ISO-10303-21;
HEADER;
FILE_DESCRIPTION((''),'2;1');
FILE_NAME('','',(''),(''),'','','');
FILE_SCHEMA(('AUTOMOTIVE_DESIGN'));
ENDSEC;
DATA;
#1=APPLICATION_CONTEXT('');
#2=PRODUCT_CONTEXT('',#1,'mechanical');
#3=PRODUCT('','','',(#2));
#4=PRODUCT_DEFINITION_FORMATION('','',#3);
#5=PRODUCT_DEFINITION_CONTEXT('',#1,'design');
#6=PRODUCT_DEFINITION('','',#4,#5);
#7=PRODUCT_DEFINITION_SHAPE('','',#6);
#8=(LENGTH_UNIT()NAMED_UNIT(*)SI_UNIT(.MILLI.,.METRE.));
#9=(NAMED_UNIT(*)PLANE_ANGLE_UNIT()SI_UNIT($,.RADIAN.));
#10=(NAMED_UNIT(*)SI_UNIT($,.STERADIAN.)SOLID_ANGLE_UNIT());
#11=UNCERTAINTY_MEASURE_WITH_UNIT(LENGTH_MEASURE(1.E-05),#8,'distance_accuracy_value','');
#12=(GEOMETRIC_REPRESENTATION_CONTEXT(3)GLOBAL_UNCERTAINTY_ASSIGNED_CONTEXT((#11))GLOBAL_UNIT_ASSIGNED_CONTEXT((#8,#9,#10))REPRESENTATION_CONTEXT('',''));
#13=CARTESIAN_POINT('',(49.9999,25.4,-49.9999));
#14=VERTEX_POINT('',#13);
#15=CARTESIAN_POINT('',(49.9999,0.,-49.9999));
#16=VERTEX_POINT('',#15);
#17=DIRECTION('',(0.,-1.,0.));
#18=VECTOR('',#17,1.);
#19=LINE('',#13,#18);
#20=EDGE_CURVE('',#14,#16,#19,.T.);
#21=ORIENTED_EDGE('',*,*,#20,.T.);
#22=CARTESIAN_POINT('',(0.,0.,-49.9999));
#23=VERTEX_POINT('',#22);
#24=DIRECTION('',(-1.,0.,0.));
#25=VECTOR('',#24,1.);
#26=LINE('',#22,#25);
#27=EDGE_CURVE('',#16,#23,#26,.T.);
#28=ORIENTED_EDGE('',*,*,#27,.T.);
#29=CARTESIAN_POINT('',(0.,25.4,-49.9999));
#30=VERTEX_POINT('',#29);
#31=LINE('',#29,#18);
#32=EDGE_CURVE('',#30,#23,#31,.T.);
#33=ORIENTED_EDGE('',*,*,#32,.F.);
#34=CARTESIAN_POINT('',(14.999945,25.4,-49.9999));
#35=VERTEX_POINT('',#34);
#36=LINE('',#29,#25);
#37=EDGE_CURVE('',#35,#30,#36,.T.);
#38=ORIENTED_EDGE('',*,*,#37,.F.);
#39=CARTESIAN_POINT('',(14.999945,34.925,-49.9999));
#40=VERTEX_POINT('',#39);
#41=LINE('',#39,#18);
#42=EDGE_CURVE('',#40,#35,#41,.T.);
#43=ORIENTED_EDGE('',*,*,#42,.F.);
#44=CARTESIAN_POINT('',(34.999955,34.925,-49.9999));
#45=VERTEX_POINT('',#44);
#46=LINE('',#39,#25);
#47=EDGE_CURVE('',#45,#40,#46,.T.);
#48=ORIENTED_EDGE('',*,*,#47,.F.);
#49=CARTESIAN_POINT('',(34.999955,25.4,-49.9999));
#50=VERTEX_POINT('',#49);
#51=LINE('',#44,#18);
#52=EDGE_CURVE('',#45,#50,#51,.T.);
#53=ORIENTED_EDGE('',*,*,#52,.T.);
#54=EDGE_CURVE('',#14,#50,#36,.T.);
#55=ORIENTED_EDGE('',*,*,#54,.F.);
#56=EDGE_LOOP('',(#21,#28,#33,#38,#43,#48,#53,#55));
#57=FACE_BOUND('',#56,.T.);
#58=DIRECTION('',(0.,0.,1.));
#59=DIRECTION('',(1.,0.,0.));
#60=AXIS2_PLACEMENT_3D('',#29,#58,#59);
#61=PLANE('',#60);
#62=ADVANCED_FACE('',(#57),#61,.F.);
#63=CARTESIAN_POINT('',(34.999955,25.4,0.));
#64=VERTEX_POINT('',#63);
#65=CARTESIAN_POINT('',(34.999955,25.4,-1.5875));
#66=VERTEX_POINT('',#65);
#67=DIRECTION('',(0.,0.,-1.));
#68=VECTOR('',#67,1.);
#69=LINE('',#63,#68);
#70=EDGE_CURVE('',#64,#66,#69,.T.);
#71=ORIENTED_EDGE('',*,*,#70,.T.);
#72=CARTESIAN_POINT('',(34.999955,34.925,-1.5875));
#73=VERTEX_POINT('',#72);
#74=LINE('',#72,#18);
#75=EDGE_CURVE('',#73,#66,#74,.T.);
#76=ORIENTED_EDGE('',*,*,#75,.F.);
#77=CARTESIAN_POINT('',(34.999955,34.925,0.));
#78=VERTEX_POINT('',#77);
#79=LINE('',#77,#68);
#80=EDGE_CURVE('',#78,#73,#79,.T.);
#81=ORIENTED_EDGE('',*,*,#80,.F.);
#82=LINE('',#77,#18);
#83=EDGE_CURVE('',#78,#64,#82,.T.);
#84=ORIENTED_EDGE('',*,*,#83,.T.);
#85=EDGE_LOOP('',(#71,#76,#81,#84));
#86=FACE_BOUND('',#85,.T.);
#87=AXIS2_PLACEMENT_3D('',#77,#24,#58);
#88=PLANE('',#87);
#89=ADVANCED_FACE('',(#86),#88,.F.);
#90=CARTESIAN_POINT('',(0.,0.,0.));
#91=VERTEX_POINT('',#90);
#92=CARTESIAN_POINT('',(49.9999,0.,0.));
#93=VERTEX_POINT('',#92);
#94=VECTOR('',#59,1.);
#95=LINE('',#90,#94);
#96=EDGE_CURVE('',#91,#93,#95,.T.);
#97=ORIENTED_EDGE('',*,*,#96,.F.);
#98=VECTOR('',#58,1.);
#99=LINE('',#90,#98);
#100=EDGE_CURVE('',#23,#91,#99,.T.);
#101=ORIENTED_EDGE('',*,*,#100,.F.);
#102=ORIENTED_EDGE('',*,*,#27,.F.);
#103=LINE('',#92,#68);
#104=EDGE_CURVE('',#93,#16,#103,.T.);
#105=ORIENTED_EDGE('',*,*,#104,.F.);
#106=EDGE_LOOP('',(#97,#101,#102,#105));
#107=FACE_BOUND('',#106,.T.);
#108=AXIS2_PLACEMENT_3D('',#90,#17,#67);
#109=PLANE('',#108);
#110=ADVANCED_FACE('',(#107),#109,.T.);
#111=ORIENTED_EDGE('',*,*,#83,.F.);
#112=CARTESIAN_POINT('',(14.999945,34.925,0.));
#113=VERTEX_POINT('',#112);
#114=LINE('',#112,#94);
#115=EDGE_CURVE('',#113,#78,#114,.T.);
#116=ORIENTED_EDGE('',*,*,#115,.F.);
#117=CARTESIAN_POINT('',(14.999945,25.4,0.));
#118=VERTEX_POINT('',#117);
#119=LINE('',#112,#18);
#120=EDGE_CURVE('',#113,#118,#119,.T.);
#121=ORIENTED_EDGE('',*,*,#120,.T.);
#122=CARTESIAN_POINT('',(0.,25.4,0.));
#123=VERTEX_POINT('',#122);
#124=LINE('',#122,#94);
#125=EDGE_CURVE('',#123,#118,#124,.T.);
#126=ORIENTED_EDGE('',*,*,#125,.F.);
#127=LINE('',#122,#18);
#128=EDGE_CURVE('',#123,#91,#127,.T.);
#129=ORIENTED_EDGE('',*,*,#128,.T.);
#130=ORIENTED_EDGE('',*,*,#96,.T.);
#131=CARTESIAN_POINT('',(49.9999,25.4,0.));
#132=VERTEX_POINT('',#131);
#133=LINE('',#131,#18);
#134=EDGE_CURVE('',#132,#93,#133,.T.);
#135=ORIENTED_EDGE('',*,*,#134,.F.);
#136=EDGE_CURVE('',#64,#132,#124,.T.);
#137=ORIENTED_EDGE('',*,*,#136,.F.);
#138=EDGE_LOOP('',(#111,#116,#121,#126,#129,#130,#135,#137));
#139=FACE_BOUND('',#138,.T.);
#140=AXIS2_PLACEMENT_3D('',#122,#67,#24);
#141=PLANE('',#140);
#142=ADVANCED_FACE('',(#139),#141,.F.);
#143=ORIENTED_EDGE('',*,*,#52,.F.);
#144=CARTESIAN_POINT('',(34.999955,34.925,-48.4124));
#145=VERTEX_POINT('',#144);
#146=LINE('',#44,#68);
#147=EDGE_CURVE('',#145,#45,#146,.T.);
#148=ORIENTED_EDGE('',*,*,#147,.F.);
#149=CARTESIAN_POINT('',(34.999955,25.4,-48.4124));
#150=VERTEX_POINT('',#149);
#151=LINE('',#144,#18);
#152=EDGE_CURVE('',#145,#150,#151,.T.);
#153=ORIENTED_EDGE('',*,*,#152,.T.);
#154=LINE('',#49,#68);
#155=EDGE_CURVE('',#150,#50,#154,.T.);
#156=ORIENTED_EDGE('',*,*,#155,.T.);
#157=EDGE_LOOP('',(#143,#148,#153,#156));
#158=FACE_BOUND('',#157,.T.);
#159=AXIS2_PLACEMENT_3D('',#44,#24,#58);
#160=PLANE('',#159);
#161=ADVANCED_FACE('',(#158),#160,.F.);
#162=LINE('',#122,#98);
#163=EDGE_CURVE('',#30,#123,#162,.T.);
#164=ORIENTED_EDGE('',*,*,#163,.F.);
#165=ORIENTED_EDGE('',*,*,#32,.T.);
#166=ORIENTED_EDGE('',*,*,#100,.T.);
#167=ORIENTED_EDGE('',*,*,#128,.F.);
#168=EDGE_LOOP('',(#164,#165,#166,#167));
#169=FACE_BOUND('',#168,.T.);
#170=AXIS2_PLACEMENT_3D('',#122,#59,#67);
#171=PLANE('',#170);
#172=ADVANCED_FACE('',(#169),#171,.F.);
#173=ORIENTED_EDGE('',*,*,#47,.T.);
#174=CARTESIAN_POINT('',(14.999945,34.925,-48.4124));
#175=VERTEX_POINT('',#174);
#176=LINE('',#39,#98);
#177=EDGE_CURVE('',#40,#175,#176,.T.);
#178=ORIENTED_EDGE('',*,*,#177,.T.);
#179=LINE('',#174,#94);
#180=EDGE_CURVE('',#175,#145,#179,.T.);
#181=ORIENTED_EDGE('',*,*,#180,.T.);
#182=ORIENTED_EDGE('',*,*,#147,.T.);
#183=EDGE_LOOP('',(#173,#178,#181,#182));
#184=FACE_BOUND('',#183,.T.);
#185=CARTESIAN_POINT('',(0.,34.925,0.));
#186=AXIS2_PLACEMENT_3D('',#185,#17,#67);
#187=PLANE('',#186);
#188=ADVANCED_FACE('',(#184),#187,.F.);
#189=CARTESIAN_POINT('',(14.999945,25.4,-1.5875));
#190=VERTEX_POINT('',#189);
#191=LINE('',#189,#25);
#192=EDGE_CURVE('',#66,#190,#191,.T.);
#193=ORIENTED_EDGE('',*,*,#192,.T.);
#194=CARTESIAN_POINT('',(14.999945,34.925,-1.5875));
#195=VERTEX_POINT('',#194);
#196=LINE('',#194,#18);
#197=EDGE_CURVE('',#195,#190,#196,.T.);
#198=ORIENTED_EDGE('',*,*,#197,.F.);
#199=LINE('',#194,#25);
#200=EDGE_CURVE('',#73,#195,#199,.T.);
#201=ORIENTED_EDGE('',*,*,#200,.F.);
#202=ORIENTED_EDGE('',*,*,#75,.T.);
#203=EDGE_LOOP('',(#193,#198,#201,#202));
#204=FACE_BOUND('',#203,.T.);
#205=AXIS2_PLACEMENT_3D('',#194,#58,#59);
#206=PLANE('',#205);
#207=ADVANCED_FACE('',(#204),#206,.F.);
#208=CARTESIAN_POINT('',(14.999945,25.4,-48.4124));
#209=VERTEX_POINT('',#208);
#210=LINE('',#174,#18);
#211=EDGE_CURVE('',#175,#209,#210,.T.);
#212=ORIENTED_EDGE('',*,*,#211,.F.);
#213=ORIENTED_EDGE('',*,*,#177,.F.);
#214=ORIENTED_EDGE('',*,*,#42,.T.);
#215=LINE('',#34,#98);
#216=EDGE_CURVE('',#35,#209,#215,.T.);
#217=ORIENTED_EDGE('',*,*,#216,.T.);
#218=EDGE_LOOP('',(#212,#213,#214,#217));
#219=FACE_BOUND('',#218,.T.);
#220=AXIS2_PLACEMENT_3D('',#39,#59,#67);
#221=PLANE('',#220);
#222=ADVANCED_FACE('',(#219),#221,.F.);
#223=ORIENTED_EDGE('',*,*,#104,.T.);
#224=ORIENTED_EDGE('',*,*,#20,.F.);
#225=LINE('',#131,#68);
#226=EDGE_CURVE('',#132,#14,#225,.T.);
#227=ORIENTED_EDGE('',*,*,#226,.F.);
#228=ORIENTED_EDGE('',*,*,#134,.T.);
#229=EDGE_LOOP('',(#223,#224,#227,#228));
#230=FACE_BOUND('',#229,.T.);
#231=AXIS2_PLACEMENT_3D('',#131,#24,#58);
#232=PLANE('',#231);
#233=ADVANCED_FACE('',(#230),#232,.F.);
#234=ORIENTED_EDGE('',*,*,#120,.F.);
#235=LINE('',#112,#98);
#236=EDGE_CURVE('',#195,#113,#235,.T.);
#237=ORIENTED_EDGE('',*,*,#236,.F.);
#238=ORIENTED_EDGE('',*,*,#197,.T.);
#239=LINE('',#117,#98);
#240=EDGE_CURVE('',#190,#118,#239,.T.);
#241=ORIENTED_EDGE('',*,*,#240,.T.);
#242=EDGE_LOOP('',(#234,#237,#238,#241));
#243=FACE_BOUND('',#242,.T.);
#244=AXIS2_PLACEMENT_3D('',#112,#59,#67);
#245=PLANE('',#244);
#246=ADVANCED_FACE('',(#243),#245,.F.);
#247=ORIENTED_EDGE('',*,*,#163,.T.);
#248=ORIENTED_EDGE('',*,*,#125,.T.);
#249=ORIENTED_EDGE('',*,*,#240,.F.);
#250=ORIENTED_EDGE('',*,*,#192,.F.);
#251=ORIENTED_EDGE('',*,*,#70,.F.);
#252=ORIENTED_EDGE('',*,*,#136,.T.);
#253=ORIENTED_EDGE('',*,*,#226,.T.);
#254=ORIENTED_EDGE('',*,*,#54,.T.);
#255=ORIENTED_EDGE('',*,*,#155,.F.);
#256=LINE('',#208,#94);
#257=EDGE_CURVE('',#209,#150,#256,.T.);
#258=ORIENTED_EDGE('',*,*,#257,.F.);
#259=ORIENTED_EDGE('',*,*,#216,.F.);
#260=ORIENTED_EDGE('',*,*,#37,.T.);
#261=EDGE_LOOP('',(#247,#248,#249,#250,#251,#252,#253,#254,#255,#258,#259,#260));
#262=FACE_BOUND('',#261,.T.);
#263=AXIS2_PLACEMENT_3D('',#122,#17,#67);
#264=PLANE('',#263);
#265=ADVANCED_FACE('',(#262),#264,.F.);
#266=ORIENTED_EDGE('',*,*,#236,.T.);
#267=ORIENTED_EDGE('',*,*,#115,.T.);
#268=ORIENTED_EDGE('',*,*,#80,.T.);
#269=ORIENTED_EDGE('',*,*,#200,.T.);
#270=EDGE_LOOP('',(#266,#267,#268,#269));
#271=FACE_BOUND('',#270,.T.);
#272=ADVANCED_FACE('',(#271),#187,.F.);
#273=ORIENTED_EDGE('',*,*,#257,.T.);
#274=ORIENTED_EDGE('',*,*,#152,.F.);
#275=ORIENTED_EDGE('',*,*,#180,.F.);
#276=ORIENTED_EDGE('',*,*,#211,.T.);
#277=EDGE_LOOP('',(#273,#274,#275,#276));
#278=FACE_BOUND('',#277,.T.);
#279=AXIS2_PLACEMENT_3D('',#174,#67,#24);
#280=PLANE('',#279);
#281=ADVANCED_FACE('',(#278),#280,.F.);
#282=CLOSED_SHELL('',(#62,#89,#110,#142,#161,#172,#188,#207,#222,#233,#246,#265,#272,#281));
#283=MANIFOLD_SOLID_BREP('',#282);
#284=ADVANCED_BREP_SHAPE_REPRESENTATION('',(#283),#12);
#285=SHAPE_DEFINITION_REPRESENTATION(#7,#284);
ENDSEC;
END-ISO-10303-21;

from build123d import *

# Parameters (mm, degrees)
SKETCH1_W           = 49.9999
SKETCH1_H           = 49.9999
BOSS_EXTRUDE1_DEPTH = 25.4
SKETCH2_W           = 20.0000108
SKETCH2_H           = 1.5875
BOSS_EXTRUDE2_DEPTH = 9.525


with BuildPart() as part:
    # Sketch1 → Boss-Extrude1 (new body)
    with BuildSketch(Plane(origin=(0, 0, 0), x_dir=(1, 0, 0), z_dir=(0, 1, 0))):
        with Locations((24.99995, 24.99995)):
            Rectangle(SKETCH1_W, SKETCH1_H)
    extrude(amount=BOSS_EXTRUDE1_DEPTH)

    # Sketch2 → Boss-Extrude2 (add)
    with BuildSketch(Plane(origin=(0, 25.4, 0), x_dir=(1, 0, 0), z_dir=(0, 1, 0))):
        with Locations((24.99995, 0.79375)):
            Rectangle(SKETCH2_W, SKETCH2_H)
        with Locations((24.99995, 49.20615)):
            Rectangle(SKETCH2_W, SKETCH2_H)
    extrude(amount=BOSS_EXTRUDE2_DEPTH)


solid = part.part
